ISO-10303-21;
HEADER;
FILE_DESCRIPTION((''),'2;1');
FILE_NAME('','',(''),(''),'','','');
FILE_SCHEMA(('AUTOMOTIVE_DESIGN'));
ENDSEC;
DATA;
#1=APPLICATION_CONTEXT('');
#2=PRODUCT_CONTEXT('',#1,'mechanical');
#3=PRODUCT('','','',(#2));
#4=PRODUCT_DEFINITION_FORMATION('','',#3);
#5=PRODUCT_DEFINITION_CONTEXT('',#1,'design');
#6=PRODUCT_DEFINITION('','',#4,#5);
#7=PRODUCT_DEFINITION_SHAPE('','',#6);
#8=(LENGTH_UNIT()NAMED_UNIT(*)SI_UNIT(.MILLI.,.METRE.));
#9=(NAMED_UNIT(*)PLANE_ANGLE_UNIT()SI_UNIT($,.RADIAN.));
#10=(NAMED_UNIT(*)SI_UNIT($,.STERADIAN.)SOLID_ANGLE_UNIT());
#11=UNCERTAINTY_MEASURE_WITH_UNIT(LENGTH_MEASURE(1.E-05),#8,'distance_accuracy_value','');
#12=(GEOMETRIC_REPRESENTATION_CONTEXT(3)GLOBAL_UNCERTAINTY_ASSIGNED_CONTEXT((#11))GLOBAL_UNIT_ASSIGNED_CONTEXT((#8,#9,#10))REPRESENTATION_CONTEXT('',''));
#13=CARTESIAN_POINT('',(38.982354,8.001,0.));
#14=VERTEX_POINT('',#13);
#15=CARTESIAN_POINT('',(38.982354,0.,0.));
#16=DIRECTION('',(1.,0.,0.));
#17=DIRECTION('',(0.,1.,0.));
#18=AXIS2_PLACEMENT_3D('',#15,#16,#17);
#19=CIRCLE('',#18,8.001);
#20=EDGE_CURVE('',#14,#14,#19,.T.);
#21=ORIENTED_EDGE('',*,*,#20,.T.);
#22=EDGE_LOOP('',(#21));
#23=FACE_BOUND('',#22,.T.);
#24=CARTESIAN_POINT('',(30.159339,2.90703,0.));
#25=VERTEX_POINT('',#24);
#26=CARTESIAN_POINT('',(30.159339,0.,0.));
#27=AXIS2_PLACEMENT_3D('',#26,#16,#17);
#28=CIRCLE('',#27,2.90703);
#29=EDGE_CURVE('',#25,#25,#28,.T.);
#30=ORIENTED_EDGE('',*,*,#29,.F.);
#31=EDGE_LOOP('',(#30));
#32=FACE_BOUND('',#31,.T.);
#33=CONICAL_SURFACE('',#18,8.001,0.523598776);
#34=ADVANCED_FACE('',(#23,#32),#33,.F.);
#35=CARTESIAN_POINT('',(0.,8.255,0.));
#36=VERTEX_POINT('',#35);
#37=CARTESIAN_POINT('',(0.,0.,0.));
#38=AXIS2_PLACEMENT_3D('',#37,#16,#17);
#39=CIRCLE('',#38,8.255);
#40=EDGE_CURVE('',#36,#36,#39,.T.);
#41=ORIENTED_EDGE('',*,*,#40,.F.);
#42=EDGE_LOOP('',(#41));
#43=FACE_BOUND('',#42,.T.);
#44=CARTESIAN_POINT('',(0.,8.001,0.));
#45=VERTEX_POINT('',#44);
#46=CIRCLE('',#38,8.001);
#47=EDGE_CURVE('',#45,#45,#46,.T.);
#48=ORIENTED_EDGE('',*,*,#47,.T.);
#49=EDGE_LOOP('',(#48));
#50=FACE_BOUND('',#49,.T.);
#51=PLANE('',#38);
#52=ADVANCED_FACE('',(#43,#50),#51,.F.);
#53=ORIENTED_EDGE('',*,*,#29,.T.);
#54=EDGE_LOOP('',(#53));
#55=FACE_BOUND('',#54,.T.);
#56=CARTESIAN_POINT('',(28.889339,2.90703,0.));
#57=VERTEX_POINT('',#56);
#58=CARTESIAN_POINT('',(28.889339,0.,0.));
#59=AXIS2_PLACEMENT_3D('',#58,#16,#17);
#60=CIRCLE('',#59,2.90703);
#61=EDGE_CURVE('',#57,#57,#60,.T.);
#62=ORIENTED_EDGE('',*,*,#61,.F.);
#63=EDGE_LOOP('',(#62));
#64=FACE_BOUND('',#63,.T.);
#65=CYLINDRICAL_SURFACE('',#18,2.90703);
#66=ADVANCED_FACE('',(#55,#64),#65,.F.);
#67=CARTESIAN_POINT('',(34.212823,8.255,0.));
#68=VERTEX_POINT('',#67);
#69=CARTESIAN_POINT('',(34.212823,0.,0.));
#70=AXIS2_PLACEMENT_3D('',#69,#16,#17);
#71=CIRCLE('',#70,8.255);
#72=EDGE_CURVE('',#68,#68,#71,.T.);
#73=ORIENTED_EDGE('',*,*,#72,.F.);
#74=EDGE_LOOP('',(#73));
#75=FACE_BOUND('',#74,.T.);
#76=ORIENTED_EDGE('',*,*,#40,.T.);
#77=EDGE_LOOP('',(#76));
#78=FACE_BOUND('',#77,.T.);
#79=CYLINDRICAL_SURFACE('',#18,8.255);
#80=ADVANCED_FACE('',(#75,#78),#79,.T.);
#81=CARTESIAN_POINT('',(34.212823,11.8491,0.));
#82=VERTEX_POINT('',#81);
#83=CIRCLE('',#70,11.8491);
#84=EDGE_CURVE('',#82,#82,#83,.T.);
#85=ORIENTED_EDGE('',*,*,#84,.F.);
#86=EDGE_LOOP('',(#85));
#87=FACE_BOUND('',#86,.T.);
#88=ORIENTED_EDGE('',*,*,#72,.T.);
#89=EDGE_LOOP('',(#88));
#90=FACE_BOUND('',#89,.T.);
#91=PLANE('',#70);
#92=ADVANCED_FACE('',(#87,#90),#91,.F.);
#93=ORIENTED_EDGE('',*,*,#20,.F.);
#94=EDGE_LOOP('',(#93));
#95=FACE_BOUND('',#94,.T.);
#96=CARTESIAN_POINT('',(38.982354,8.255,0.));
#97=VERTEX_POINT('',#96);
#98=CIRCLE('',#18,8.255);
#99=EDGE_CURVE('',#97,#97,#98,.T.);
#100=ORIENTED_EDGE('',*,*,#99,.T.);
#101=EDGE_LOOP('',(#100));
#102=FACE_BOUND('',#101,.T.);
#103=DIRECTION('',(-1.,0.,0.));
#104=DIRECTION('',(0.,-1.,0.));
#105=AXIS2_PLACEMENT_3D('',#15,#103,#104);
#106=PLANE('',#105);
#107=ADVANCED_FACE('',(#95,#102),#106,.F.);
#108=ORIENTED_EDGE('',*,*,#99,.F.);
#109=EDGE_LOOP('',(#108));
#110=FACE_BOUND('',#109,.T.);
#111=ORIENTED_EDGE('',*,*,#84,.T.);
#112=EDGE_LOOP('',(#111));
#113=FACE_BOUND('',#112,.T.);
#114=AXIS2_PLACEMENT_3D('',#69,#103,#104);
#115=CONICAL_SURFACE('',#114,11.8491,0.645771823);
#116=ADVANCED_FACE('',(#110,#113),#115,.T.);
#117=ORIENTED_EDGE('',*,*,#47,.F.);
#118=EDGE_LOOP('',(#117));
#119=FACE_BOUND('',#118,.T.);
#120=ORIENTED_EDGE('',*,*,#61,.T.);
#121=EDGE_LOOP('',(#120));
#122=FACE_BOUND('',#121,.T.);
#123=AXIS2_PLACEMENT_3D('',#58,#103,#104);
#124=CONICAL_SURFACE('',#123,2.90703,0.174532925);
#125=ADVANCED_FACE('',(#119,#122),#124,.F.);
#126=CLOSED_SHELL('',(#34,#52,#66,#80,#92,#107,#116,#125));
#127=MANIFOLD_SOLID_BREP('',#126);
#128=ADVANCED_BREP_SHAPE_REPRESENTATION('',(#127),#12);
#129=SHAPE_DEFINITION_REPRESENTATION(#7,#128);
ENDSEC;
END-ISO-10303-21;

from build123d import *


with BuildPart() as part:
    # Sketch1 → Revolve1 (revolve)
    with BuildSketch(Plane.XY):
        Polygon((0, 8.255), (0, 8.001), (28.889339451, 2.90703), (30.159339451, 2.90703), (38.982354303, 8.001), (38.982354303, 8.255), (34.21282251, 11.8491), (34.21282251, 8.255), align=None)
    revolve(axis=Axis((38.982354303, 0, 0), (-1, 0, 0)))


solid = part.part
